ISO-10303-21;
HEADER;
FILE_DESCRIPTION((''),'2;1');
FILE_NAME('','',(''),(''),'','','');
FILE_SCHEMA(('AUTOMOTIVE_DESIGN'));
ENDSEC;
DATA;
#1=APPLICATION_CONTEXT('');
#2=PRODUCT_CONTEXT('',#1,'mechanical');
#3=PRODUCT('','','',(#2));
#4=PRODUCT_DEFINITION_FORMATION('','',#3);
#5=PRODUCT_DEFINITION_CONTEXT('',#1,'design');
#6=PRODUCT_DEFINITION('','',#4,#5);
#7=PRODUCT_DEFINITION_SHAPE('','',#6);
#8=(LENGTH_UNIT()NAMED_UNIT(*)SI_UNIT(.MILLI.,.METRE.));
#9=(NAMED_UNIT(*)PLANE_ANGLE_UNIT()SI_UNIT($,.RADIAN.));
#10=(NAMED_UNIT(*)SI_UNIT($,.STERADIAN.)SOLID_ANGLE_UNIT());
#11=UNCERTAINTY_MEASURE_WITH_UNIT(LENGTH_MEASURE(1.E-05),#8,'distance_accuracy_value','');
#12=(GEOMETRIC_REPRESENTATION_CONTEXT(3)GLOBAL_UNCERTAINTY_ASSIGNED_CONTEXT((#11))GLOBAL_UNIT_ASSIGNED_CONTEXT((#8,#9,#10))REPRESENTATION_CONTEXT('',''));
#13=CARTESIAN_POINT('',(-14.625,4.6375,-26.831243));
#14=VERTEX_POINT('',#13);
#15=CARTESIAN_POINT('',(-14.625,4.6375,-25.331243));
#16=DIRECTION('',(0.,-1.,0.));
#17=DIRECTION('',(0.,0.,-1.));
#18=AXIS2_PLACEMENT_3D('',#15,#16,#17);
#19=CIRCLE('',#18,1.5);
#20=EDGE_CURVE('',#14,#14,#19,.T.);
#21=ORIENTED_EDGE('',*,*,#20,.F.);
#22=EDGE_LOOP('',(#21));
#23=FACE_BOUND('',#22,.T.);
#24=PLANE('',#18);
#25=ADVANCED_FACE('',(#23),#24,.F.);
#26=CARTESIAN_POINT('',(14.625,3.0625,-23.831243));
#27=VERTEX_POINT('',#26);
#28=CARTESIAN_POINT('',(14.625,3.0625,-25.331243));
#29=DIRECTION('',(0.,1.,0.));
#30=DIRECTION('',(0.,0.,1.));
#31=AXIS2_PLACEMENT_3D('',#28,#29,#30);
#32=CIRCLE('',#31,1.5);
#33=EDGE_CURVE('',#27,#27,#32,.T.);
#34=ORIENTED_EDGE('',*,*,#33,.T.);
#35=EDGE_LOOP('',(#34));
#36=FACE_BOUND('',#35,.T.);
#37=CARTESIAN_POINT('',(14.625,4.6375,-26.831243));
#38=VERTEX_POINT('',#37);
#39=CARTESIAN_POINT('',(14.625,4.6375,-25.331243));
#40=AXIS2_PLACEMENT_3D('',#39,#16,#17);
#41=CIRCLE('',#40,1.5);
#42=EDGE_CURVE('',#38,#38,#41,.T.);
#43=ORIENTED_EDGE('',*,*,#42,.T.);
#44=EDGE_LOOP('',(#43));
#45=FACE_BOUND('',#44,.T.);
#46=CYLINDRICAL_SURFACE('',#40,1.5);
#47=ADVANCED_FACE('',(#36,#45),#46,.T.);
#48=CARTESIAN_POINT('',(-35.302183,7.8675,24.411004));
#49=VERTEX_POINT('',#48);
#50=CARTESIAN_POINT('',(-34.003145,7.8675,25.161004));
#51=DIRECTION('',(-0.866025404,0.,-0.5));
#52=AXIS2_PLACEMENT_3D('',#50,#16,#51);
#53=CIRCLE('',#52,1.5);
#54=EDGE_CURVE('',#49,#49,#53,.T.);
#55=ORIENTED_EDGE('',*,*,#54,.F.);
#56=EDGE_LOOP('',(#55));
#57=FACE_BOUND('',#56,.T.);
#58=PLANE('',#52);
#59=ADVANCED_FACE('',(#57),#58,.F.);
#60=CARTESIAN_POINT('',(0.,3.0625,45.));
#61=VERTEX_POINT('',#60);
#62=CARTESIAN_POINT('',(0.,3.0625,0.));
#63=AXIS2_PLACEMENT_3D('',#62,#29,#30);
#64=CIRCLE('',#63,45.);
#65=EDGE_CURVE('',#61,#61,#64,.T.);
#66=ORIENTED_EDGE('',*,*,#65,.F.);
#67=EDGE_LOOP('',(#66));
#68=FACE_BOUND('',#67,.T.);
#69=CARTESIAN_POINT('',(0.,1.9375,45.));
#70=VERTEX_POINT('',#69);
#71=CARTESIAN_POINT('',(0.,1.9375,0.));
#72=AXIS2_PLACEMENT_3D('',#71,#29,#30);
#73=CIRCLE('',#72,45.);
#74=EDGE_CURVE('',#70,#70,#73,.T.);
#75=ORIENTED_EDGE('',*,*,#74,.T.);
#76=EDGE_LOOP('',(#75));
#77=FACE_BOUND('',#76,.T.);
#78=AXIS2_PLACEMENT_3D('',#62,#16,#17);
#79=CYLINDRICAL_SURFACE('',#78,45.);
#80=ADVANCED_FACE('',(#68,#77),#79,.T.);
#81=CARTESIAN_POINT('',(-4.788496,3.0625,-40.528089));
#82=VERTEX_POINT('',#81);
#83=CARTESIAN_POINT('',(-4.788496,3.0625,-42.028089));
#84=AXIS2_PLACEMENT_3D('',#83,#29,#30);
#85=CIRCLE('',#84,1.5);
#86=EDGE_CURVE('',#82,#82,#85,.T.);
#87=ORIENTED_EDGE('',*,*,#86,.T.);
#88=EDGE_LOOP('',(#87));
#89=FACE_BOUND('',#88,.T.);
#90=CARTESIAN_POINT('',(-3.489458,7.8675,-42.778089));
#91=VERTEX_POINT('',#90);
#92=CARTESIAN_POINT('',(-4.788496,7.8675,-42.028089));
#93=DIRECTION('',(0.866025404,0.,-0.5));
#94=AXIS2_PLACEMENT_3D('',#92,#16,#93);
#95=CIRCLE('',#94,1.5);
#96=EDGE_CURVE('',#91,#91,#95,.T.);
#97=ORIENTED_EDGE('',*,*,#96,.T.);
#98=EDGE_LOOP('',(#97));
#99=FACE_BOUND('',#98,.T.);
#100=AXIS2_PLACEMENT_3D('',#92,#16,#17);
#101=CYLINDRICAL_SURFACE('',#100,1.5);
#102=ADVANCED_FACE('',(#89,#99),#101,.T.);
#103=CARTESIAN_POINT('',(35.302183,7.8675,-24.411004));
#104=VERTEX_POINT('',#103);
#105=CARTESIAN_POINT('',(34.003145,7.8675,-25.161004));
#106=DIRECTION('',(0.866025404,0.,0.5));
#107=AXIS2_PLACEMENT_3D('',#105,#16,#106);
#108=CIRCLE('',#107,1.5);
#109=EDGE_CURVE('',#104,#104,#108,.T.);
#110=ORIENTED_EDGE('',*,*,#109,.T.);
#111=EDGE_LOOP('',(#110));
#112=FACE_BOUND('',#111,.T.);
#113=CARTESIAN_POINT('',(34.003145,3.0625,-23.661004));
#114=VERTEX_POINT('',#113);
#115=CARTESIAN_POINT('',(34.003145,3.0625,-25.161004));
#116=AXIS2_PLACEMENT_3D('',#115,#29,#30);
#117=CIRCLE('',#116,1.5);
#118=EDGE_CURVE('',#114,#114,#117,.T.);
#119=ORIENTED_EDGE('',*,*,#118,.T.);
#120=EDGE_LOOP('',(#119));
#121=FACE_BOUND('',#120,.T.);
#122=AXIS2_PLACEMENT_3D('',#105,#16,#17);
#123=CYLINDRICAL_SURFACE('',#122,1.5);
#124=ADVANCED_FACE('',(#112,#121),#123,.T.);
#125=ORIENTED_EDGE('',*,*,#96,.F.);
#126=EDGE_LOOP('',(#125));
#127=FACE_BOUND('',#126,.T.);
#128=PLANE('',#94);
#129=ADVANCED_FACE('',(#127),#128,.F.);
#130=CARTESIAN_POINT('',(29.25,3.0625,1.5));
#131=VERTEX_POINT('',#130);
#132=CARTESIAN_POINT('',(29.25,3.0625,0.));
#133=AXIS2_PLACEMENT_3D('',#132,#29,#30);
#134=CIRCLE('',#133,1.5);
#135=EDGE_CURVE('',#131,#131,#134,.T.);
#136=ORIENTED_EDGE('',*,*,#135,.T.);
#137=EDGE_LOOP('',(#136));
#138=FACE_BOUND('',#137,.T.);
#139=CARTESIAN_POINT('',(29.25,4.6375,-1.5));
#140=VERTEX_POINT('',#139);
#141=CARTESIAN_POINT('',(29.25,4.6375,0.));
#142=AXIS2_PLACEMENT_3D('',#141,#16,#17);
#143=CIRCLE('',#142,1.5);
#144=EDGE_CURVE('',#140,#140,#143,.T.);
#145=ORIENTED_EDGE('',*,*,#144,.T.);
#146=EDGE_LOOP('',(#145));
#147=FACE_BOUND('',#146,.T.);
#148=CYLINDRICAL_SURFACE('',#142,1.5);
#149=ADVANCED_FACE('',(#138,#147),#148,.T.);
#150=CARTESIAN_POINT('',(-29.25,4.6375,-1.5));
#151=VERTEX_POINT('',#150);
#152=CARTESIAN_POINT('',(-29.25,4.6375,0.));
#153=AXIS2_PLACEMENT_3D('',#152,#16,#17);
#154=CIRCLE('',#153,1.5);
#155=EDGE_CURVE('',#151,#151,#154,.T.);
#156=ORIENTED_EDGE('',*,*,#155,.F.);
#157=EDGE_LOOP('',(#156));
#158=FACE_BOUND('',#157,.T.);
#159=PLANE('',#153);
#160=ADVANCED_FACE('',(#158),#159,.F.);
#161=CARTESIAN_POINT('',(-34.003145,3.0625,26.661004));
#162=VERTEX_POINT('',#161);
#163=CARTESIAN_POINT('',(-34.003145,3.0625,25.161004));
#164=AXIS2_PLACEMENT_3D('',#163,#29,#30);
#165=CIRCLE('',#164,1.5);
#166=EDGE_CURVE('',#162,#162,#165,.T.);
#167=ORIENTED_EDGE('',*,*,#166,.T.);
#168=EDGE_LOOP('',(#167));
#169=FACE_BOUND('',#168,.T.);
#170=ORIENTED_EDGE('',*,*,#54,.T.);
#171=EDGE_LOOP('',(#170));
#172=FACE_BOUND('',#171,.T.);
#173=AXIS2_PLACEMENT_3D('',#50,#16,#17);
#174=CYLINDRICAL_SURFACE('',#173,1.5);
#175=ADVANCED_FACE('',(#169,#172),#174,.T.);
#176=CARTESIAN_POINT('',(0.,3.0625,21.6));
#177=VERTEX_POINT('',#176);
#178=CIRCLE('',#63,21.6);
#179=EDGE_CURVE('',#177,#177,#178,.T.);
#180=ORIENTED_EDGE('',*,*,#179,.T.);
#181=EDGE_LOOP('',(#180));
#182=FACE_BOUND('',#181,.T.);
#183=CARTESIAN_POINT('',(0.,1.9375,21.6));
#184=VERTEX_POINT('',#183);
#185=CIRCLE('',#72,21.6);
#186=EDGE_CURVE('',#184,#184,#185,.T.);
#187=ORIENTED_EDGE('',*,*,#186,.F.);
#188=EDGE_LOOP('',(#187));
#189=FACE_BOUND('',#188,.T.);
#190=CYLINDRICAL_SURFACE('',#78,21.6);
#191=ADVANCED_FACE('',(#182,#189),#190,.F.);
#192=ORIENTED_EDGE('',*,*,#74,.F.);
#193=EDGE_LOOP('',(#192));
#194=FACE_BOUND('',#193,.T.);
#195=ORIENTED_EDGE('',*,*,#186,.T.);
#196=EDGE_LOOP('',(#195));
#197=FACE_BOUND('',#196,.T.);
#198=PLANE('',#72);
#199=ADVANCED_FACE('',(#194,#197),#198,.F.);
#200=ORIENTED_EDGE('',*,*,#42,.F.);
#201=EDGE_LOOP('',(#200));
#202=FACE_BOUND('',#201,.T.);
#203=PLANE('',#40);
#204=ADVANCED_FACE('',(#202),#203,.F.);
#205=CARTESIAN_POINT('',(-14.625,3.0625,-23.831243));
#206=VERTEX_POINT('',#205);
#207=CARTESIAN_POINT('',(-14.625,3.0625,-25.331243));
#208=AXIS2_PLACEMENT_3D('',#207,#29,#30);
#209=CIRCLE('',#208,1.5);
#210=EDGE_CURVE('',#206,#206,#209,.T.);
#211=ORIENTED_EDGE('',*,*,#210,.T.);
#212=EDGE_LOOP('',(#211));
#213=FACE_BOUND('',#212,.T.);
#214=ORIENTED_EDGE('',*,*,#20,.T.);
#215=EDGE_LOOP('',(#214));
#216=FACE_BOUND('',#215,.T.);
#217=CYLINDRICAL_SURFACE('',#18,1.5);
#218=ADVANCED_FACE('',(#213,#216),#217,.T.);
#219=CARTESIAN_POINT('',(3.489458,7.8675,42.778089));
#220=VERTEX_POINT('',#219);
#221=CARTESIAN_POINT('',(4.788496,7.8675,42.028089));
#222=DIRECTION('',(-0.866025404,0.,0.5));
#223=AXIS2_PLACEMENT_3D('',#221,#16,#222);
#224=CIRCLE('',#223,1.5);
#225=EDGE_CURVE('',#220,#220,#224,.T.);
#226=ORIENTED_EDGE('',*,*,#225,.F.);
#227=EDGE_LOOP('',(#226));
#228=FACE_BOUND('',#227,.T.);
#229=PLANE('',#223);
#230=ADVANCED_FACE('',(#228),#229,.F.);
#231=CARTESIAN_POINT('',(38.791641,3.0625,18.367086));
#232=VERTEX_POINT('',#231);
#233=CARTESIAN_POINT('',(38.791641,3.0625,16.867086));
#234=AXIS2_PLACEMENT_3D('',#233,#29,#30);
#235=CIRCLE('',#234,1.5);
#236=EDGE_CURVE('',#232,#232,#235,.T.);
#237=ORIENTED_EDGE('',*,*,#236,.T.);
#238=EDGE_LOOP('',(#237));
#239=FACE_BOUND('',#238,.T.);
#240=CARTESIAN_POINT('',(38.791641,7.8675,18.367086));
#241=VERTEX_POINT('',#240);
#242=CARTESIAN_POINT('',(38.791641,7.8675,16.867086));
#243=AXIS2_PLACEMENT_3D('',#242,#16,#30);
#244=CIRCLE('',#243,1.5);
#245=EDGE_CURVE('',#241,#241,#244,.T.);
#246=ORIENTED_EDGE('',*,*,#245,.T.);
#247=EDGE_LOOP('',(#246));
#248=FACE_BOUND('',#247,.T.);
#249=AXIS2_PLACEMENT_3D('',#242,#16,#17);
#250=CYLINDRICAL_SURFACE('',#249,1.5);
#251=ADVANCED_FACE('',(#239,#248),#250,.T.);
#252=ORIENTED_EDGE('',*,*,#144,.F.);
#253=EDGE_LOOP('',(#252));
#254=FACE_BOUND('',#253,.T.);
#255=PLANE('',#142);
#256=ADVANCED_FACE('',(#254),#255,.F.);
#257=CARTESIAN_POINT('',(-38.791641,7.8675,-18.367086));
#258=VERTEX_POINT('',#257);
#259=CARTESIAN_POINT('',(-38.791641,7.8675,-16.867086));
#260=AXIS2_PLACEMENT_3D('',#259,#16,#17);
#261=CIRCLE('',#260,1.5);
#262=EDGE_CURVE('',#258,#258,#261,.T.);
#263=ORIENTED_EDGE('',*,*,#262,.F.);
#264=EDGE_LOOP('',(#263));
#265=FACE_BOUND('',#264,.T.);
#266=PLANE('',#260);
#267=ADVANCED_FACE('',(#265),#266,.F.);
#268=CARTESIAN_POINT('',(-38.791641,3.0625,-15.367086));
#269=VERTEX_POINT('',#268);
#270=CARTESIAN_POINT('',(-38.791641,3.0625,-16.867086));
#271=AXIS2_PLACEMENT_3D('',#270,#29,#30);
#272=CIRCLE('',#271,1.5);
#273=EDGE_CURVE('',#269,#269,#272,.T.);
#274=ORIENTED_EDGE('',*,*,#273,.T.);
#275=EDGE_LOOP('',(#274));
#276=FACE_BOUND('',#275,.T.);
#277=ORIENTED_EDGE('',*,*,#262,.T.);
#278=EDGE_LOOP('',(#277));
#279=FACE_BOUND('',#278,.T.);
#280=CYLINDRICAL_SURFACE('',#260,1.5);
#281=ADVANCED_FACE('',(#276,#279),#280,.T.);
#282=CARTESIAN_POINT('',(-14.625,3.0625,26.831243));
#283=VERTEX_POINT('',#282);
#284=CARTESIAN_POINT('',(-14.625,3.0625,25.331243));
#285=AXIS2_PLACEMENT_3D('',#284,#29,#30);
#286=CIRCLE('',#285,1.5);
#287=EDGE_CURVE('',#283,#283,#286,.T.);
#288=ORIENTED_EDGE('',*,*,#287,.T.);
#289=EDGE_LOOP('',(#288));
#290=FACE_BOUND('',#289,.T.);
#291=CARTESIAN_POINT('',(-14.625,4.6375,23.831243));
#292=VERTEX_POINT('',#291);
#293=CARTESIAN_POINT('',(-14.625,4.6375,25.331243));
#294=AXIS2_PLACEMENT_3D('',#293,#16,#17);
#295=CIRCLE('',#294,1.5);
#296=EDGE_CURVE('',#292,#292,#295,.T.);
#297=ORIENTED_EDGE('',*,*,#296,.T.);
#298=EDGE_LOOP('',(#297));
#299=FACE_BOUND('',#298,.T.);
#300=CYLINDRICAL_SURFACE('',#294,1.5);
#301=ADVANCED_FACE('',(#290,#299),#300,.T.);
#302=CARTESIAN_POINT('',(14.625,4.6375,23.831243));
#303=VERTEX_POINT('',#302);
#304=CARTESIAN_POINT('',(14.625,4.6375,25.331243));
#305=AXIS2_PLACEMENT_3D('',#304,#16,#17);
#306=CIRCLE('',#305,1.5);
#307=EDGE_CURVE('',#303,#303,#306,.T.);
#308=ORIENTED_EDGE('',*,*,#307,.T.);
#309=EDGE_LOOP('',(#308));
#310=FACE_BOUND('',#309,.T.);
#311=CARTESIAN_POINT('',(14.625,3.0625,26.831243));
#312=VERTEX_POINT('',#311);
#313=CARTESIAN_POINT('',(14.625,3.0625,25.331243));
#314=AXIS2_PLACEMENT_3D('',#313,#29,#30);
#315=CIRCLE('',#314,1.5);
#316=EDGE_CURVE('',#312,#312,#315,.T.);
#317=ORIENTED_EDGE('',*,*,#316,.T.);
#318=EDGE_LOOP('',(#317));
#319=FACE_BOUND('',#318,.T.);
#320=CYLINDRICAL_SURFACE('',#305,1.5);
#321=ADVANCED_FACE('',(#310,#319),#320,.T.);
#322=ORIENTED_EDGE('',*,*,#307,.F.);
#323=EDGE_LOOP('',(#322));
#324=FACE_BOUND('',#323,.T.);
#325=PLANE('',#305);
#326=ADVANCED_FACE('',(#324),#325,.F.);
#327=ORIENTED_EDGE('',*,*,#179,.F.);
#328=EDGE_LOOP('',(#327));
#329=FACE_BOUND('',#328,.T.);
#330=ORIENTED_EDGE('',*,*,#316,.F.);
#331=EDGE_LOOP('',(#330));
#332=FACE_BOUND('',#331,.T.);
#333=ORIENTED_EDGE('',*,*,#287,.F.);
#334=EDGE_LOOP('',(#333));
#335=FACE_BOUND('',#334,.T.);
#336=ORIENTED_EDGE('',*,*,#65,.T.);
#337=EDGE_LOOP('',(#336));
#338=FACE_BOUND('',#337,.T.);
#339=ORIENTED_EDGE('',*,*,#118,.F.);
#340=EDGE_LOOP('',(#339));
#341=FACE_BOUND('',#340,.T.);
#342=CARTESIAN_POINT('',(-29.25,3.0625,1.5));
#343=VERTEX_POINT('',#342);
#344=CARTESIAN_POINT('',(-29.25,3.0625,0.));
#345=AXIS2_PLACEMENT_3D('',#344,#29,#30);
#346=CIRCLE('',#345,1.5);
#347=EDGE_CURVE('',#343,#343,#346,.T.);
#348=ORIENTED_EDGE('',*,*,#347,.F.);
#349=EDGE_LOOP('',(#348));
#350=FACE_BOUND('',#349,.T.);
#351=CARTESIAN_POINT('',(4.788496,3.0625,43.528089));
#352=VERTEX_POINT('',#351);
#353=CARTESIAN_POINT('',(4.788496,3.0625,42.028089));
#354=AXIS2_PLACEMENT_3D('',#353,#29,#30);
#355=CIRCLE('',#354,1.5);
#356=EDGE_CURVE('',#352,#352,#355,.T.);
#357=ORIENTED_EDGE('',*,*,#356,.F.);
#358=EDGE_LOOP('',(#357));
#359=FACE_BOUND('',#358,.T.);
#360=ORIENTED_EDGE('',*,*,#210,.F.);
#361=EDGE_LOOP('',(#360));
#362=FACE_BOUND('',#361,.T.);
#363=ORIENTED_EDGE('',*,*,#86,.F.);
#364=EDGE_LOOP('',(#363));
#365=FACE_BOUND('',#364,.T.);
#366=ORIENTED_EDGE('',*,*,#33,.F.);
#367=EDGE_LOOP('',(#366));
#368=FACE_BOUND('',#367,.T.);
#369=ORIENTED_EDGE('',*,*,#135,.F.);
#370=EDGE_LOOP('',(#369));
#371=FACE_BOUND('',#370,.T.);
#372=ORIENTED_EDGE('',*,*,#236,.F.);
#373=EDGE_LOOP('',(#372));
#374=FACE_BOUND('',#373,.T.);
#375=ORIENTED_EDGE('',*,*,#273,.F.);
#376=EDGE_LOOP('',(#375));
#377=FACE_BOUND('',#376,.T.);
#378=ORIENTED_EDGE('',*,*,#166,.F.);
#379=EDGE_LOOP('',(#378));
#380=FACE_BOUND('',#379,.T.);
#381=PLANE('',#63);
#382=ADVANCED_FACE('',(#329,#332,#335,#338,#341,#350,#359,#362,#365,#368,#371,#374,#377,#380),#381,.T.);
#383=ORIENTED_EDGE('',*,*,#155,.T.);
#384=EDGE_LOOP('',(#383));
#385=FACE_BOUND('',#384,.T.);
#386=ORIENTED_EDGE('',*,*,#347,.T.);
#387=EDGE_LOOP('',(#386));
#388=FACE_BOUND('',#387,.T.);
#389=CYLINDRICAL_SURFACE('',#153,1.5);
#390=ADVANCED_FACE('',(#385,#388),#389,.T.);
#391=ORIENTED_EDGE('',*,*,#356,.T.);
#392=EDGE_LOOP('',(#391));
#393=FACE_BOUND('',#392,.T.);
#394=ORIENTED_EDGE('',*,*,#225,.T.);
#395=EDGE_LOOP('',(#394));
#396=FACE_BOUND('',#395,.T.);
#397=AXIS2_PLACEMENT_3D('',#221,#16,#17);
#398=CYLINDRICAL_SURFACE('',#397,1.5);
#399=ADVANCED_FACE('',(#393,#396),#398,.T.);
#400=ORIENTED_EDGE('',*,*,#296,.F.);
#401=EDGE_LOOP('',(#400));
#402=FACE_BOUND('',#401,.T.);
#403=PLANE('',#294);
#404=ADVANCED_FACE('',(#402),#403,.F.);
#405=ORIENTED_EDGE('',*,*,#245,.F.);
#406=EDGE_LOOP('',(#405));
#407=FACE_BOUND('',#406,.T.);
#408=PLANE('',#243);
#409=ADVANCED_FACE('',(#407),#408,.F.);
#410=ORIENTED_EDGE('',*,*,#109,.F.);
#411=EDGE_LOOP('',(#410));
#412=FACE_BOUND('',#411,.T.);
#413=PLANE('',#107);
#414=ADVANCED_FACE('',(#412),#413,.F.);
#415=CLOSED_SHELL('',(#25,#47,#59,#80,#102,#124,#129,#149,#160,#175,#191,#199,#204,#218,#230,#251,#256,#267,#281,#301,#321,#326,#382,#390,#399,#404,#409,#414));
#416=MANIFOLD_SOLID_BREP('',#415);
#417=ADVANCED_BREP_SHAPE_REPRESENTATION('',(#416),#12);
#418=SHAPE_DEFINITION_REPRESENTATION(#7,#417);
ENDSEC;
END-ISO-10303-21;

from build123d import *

# Parameters (mm, degrees)
SKETCH1_R           = 200
SKETCH1_R_2         = 96
BOSS_EXTRUDE1_DEPTH = 5
SKETCH2_R           = 3.5
SKETCH2_R_2         = 2
CUT_EXTRUDE1_DEPTH  = 5
CIRPATTERN1_COUNT   = 6
SCALE2_SCALE        = 0.225
SKETCH3_R           = 1.5
BOSS_EXTRUDE2_DEPTH = 5.93
SKETCH4_R           = 1.5
BOSS_EXTRUDE3_DEPTH = 2.7
CIRPATTERN2_COUNT   = 6


with BuildPart() as part:
    # Sketch1 → Boss-Extrude1 (new body)
    with BuildSketch(Plane(origin=(0, 0, 0), x_dir=(1, 0, 0), z_dir=(0, 1, 0))):
        Circle(SKETCH1_R)
        Circle(SKETCH1_R_2, mode=Mode.SUBTRACT)
    extrude(amount=BOSS_EXTRUDE1_DEPTH)

    # Sketch2 → Cut-Extrude1 (cut)
    with BuildSketch(Plane(origin=(0, 5, 0), x_dir=(1, 0, 0), z_dir=(0, 1, 0))):
        with Locations((151.125089796, 111.826683909)):
            Circle(SKETCH2_R)
        with Locations((130, 0)):
            Circle(SKETCH2_R_2)
    cut_extrude1 = extrude(amount=-CUT_EXTRUDE1_DEPTH, mode=Mode.SUBTRACT)

    # CirPattern1: Cut-Extrude1 ×6 about axis
    cirpattern1_axis = Axis((0, 0, 0), (0, 1, 0))
    for i in range(1, CIRPATTERN1_COUNT):
        add(cut_extrude1.rotate(cirpattern1_axis, i * 360 / CIRPATTERN1_COUNT), mode=Mode.SUBTRACT)


with BuildPart() as part_1:
    # Scale2: scaled about (0, 2.5, 0)
    add(part.part.scale(SCALE2_SCALE).moved(Location((0, 1.9375, 0))))

    # Sketch3 → Boss-Extrude2 (add)
    with BuildSketch(Plane.XZ.offset(-1.9375)):
        with Locations((-38.791641146, -16.867085616)):
            Circle(SKETCH3_R)
    boss_extrude2 = extrude(amount=-BOSS_EXTRUDE2_DEPTH)

    # Sketch4 → Boss-Extrude3 (add)
    with BuildSketch(Plane.XZ.offset(-1.9375)):
        with Locations((-14.625, 25.331243061)):
            Circle(SKETCH4_R)
        with Locations((14.625, 25.331243061)):
            Circle(SKETCH4_R)
        with Locations((29.25, 0)):
            Circle(SKETCH4_R)
        with Locations((14.625, -25.331243061)):
            Circle(SKETCH4_R)
        with Locations((-14.625, -25.331243061)):
            Circle(SKETCH4_R)
        with Locations((-29.25, 0)):
            Circle(SKETCH4_R)
    extrude(amount=-BOSS_EXTRUDE3_DEPTH)

    # CirPattern2: Boss-Extrude2 ×6 about axis
    cirpattern2_axis = Axis((0, 0, 0), (0, 1, 0))
    for i in range(1, CIRPATTERN2_COUNT):
        add(boss_extrude2.rotate(cirpattern2_axis, i * 360 / CIRPATTERN2_COUNT))


solid = part_1.part
